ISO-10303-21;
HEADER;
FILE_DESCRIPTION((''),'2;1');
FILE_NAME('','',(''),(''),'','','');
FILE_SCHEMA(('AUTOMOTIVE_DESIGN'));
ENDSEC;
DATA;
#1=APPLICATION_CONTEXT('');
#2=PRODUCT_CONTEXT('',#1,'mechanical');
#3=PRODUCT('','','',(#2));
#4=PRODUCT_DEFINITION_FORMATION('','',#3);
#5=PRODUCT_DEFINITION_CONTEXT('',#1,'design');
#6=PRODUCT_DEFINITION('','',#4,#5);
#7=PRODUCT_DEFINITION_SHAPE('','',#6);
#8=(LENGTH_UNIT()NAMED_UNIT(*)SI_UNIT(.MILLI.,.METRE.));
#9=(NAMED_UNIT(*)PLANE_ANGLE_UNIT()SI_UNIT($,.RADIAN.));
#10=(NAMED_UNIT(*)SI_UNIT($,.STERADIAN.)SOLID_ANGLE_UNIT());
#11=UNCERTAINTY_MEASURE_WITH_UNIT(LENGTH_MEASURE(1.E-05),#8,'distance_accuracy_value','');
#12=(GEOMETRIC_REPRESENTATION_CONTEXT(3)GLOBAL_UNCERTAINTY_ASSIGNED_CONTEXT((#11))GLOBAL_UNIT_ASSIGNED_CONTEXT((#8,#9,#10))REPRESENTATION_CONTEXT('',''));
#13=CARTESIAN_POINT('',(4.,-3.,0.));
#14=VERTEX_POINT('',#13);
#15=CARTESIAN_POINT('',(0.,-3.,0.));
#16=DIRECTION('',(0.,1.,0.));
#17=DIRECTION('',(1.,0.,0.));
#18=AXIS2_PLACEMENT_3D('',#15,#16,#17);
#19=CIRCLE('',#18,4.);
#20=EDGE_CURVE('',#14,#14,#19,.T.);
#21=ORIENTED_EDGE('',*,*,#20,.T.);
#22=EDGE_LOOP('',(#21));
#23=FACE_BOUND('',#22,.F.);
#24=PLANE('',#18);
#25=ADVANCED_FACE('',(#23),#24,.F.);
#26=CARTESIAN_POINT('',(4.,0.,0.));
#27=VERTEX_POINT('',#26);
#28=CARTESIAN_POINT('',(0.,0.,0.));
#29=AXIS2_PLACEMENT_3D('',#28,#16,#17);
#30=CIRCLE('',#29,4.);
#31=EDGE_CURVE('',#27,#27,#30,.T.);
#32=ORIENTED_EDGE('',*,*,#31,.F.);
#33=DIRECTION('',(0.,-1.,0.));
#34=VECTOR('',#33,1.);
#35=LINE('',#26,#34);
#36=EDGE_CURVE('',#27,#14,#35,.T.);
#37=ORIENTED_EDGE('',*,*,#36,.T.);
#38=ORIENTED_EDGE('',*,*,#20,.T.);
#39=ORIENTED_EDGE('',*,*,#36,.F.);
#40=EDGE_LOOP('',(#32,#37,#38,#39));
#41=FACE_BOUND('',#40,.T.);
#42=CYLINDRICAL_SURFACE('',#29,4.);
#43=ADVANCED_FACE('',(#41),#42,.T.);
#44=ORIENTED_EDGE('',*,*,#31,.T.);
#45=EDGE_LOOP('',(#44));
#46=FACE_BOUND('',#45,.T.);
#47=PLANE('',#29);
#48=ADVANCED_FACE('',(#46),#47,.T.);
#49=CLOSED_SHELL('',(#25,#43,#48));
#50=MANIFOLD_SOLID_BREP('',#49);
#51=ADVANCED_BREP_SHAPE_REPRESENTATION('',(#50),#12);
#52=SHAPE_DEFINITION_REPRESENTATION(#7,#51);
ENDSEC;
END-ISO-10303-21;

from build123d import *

# Parameters (mm, degrees)
SKETCH1_R           = 4
BOSS_EXTRUDE1_DEPTH = 3


with BuildPart() as part:
    # Sketch1 → Boss-Extrude1 (new body)
    with BuildSketch(Plane(origin=(0, 0, 0), x_dir=(1, 0, 0), z_dir=(0, 1, 0))):
        Circle(SKETCH1_R)
    extrude(amount=-BOSS_EXTRUDE1_DEPTH)


solid = part.part
